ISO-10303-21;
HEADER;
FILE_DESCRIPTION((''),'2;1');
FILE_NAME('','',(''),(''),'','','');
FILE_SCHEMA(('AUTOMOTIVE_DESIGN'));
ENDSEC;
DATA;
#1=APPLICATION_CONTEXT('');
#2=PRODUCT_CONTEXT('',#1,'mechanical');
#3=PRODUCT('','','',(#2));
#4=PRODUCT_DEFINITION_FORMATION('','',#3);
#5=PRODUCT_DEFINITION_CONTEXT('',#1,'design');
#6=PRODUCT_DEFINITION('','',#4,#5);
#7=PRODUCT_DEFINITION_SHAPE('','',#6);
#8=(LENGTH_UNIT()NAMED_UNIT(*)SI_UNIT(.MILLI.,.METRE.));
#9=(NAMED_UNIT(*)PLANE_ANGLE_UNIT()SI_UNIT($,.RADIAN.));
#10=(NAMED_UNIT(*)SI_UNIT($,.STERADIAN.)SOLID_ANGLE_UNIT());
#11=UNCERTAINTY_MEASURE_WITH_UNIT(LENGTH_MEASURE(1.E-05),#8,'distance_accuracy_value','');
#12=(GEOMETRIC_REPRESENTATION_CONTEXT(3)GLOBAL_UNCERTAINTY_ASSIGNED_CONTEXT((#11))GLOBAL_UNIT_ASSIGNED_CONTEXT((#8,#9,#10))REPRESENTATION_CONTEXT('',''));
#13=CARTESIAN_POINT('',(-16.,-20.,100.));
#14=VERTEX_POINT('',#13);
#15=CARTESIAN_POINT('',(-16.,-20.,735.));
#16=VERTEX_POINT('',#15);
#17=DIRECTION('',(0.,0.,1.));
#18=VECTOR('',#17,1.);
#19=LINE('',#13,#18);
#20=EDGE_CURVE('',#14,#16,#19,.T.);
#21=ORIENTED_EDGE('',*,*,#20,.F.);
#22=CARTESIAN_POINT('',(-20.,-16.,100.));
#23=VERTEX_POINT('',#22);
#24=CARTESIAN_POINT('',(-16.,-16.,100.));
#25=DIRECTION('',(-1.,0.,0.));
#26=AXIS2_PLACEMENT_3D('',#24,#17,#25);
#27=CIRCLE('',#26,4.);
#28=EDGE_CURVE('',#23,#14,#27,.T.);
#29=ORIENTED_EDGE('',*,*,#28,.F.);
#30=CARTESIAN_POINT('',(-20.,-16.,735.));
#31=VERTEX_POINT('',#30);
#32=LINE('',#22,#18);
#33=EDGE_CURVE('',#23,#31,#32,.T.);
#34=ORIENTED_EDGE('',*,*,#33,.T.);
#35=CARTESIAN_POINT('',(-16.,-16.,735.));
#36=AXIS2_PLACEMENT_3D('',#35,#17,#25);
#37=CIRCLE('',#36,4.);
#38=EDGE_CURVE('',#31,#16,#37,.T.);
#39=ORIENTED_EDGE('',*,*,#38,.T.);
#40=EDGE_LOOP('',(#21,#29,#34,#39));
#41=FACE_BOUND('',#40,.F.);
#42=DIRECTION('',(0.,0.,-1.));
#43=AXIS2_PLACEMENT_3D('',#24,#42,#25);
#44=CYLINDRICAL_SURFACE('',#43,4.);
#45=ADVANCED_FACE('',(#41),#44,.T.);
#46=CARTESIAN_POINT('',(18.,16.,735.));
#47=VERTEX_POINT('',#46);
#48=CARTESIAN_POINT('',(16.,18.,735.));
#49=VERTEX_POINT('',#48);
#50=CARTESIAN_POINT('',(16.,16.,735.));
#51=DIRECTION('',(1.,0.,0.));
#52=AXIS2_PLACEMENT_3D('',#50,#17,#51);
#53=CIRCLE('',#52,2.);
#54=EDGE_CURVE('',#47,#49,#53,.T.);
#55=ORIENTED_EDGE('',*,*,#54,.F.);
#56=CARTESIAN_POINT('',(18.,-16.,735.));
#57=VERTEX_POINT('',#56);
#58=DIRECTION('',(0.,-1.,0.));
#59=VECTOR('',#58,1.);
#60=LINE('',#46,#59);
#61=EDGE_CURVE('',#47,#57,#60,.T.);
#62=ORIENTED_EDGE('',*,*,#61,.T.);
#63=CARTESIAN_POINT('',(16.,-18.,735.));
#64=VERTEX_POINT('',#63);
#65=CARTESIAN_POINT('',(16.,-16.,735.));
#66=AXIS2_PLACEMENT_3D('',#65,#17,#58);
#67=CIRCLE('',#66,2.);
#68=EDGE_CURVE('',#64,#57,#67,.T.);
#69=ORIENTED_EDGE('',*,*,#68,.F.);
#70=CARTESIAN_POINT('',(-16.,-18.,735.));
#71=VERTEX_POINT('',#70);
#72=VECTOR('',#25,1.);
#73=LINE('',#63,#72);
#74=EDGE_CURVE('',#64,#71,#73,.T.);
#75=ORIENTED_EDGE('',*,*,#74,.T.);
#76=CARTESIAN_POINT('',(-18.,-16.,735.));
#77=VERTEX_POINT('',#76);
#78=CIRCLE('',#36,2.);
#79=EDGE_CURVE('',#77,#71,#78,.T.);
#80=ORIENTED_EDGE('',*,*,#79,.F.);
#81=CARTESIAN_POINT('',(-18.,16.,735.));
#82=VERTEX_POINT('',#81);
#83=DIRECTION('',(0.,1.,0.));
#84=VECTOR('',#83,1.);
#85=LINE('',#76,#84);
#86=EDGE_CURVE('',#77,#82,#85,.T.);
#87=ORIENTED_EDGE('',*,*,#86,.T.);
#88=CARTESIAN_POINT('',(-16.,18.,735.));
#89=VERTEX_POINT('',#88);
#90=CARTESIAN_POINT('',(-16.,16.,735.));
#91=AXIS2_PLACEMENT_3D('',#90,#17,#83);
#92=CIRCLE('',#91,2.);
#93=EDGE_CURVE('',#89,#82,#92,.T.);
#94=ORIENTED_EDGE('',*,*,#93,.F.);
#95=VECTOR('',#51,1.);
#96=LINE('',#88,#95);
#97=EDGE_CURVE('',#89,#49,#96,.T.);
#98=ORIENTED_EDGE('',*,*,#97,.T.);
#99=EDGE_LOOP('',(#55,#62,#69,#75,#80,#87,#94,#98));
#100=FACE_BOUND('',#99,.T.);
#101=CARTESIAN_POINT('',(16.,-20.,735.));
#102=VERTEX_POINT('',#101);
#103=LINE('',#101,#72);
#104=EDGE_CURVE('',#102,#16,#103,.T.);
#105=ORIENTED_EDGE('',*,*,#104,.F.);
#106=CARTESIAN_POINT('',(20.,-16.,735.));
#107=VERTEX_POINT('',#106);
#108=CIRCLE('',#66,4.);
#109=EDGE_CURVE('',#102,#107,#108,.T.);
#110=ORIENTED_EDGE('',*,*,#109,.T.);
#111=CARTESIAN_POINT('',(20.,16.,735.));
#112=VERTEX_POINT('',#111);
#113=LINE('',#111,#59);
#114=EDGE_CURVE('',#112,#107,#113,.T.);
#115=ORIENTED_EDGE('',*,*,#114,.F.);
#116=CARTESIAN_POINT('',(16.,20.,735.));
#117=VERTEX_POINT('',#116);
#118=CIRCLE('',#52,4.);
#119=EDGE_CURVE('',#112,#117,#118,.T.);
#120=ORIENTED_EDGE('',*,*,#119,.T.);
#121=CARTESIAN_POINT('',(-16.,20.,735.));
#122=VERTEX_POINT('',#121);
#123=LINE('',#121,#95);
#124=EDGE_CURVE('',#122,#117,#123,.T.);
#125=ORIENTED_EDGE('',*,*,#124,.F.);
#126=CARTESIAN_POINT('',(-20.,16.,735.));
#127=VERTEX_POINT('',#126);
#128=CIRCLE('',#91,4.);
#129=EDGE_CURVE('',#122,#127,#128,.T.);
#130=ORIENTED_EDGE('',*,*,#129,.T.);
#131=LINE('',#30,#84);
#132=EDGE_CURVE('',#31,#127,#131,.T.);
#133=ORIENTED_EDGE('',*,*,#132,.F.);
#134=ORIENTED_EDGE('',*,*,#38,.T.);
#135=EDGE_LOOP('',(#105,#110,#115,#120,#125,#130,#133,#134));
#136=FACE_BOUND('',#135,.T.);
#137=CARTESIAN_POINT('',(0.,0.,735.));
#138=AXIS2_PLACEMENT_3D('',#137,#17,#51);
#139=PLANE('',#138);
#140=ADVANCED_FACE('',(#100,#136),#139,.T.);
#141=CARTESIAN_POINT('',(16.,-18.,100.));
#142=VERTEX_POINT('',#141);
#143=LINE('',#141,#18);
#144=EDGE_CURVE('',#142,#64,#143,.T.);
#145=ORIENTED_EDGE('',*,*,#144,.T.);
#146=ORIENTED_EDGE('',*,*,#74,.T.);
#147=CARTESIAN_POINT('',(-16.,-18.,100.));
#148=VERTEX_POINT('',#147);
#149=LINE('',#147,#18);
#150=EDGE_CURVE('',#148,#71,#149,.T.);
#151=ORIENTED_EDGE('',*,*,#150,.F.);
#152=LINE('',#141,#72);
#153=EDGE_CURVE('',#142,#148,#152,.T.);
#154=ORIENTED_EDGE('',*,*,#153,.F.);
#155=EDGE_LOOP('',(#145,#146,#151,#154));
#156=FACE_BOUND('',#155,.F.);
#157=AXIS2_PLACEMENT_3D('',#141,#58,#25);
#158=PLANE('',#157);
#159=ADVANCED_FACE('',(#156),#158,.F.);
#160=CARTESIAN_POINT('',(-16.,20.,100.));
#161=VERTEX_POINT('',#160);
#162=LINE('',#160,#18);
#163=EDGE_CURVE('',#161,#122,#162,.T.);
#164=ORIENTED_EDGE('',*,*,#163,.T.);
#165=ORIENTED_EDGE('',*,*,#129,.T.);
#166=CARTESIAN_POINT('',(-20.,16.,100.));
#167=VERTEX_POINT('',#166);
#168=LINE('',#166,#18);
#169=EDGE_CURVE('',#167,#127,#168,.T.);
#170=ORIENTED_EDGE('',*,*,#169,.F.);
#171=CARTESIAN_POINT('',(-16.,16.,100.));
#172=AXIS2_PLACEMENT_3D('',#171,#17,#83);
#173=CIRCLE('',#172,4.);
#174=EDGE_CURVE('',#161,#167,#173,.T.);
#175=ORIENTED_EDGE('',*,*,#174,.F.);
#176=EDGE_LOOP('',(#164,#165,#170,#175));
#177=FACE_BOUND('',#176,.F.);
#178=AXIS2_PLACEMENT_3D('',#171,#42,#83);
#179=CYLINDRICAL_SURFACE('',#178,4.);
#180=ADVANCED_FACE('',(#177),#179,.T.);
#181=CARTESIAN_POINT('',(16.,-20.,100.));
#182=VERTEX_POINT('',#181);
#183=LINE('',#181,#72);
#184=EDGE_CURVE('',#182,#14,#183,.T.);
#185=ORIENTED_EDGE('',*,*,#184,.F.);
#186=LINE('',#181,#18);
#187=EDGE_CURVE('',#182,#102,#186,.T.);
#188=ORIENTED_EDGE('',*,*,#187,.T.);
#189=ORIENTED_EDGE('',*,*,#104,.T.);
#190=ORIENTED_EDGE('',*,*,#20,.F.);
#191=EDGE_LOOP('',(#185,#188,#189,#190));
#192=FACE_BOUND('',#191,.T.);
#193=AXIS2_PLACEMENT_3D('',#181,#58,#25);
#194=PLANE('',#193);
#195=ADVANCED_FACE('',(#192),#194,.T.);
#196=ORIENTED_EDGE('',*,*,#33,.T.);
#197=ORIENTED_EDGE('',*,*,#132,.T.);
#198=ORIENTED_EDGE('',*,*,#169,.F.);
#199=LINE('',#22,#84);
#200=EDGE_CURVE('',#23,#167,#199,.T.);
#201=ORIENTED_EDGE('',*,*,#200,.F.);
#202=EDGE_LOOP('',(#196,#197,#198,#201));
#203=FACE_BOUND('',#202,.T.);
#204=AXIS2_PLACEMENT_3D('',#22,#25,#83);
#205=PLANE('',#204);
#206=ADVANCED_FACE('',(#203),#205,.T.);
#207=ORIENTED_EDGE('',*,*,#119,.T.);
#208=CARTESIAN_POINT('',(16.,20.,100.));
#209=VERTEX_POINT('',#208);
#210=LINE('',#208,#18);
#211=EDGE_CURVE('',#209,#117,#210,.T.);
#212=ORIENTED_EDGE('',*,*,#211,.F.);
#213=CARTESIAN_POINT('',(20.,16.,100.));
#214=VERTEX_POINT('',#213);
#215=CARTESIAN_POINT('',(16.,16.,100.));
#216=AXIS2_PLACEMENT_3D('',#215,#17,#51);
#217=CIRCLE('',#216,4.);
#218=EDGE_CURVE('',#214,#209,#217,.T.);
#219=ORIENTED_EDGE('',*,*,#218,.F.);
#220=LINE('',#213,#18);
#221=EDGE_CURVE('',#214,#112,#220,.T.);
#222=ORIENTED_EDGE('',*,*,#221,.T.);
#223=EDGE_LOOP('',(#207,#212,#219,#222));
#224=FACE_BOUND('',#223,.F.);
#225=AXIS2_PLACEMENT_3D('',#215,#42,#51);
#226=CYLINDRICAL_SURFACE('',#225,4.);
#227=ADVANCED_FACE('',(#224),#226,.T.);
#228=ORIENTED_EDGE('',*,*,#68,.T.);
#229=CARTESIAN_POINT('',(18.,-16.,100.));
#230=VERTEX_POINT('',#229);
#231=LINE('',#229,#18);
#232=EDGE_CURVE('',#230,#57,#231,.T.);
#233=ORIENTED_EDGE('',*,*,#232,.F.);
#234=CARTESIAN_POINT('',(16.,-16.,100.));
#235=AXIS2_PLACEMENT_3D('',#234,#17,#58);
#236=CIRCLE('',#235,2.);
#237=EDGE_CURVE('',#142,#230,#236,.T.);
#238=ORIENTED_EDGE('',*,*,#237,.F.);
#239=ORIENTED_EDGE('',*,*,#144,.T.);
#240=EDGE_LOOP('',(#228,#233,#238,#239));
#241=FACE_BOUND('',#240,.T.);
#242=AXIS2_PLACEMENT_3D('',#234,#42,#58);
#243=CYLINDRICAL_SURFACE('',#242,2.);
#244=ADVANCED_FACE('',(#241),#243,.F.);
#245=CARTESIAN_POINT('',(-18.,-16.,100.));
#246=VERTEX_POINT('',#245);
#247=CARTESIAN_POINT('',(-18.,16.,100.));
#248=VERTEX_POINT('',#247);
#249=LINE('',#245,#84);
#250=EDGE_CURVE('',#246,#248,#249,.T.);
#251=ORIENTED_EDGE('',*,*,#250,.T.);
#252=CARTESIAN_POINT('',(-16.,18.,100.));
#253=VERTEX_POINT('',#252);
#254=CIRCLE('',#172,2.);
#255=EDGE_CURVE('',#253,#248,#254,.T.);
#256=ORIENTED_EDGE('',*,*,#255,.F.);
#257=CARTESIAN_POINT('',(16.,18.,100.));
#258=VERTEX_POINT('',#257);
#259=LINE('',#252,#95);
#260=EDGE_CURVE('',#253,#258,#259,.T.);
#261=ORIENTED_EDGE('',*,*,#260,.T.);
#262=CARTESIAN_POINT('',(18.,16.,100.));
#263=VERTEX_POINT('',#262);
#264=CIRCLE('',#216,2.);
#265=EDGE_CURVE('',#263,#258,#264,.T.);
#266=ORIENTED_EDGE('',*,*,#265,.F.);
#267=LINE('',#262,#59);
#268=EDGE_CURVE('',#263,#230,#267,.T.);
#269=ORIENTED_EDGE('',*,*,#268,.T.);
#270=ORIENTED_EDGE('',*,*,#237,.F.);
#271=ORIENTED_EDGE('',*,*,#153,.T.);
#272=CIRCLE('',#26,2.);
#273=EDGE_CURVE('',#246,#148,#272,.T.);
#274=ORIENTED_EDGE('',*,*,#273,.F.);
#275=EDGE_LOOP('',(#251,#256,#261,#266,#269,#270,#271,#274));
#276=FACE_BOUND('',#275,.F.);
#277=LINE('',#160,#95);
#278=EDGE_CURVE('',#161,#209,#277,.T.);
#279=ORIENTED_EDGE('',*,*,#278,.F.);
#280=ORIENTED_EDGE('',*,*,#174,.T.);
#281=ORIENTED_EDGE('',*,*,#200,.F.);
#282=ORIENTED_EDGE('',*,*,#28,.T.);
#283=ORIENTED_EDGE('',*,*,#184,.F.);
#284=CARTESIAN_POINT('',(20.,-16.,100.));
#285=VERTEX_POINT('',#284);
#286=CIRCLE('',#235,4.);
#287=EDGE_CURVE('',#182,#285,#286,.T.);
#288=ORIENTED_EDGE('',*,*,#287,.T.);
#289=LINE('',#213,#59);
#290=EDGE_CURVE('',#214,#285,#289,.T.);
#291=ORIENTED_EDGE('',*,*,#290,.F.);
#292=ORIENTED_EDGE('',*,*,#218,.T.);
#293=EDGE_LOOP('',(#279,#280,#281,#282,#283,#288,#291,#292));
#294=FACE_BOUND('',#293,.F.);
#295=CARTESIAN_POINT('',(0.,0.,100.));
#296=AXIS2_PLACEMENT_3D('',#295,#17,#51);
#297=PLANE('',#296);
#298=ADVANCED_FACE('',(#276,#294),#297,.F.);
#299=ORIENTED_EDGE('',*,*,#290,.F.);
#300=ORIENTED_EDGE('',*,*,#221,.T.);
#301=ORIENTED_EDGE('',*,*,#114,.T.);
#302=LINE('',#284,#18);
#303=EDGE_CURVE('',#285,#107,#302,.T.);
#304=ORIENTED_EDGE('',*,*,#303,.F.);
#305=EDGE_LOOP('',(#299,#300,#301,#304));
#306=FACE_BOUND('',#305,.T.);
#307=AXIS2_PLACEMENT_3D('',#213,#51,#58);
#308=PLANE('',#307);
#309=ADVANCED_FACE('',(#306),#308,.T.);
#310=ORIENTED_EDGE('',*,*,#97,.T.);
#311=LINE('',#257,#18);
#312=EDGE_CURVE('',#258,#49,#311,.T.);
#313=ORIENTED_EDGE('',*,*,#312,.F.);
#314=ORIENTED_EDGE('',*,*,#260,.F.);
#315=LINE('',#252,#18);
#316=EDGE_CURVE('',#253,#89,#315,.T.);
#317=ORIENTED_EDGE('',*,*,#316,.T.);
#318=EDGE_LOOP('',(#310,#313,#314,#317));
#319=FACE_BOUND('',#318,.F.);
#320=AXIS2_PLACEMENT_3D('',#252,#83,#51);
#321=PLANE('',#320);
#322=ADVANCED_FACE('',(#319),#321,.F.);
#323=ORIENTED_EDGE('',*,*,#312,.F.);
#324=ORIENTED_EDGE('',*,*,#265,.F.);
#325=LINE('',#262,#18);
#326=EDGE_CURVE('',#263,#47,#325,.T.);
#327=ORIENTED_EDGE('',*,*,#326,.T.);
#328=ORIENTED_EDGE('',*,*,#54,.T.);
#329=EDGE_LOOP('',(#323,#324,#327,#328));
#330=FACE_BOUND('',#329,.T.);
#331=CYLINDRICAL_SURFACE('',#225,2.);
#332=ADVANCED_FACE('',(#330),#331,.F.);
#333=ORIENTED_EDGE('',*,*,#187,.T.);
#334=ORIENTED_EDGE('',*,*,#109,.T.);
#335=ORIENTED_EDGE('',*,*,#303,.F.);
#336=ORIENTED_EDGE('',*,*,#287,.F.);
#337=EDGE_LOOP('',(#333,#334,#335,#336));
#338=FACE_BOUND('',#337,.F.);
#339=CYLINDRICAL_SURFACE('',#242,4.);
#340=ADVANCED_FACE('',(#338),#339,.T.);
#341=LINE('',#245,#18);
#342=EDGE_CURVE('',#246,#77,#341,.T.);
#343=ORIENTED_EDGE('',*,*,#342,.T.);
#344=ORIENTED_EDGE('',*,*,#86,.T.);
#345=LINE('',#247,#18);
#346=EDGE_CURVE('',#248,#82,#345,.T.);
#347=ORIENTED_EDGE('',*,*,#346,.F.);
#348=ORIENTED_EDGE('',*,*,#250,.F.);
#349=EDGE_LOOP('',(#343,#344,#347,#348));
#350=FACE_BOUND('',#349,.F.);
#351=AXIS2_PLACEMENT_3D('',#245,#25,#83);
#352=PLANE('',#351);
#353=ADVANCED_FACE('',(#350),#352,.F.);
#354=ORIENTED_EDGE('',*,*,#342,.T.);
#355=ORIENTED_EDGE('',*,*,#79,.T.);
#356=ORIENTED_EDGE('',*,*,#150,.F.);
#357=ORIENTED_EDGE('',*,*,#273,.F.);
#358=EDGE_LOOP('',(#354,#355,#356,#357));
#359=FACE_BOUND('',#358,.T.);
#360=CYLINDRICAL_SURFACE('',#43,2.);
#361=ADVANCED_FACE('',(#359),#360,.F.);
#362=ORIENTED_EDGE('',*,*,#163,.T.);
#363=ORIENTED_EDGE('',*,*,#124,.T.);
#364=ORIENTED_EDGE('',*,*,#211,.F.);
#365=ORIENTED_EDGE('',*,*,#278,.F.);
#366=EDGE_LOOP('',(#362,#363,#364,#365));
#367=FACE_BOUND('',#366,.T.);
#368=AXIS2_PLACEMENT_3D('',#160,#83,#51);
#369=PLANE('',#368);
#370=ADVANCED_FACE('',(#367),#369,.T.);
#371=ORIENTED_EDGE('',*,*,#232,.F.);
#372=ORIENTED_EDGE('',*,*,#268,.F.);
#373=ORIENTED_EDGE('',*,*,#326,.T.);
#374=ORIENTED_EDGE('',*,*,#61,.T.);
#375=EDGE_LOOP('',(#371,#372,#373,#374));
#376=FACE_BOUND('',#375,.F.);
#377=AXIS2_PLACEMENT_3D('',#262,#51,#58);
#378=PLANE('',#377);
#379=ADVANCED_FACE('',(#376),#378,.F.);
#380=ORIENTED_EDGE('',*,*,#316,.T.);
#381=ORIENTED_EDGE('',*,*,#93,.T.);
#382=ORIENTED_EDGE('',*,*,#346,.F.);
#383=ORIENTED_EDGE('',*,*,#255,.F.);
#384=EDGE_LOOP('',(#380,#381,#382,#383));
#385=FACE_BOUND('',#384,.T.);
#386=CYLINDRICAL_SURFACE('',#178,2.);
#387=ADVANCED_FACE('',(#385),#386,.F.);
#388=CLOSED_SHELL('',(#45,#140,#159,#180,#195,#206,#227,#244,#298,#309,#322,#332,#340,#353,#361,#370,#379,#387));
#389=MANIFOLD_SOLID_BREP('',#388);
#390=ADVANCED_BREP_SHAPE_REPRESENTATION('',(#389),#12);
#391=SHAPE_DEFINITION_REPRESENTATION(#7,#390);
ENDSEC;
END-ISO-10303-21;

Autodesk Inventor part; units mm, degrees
ref_plane "YZ Plane" through (0, 0, 0) normal (1, 0, 0) x (0, 1, 0)
ref_plane "Start Plane" through (0, 0, 100) normal (0, 0, 1) x (1, 0, 0)
ref_plane "End Plane" through (0, 0, 735) normal (0, 0, 1) x (1, 0, 0)
sketch "Sketch" plane through (0, 0, 0) normal (0, 0, 1) x (1, 0, 0)
  line L0 (-20, -16) -> (-20, 16)
  line L1 (-16, 20) -> (16, 20)
  line L2 (20, 16) -> (20, -16)
  line L3 (16, -20) -> (-16, -20)
  arc A0 (-20, -16) -> (-16, -20) centre (-16, -16) ccw
  arc A1 (20, 16) -> (16, 20) centre (16, 16) ccw
  arc A2 (-16, 20) -> (-20, 16) centre (-16, 16) ccw
  arc A3 (16, -20) -> (20, -16) centre (16, -16) ccw
  arc A4 (-16, 18) -> (-18, 16) centre (-16, 16) ccw
  line L4 (-16, 18) -> (16, 18)
  arc A5 (18, 16) -> (16, 18) centre (16, 16) ccw
  line L5 (18, 16) -> (18, -16)
  arc A6 (16, -18) -> (18, -16) centre (16, -16) ccw
  line L6 (16, -18) -> (-16, -18)
  arc A7 (-18, -16) -> (-16, -18) centre (-16, -16) ccw
  line L7 (-18, -16) -> (-18, 16)
  line L8 (0, 29.1598) -> (0, -29.1598) construction
  line L9 (-29.1598, 0) -> (29.1598, 0) construction
  dimension "d7" = 4
  dimension "d9" = 40
  dimension "d11" = 40
  dimension "d12" = 2
  dimension "d15" = 20
  dimension "d16" = 20
extrude "Body" add sketch "Sketch" along normal up to surface (635 mm away) from surface at 100
sketch "Sketch3" plane through (0, 0, 0) normal (0, 0, 1) x (1, 0, 0)
  line L0 (0, 0) -> (10, 0)
ref_plane "Work Plane3" through (0, 0, 0) normal (0, -1, 0) x (1, 0, 0)
sketch "Sketch4" plane through (0, 0, 0) normal (0, -1, 0) x (1, 0, 0)
  line L0 (-2, 100) -> (12, 100) projected
  line L1 (-2, 735) -> (12, 735) projected
  dimension "d18" = 635
equation "\"d7\" = G_IR"
equation "\"d9\" = G_W"
equation "\"d11\" = G_H"
equation "\"d12\" = G_T"
equation "\"d15\" = 0.5 * d9"
equation "\"d16\" = 0.5 * d11"
equation "\"d3\" = G_L"
equation "\"G_W\" = 40"
equation "\"G_H\" = 40"
equation "\"G_T\" = 2"
equation "\"G_IR\" = 4"
equation "\"G_L\" = d18"
equation "\"d14\" = G_OFFSET_END + B_L"
equation "\"B_L\" = 755"
equation "\"G_OFFSET_END\" = -20"
properties part number "ISO 10799-2 - 40x40x2 - 635" material "Steel, Mild"
